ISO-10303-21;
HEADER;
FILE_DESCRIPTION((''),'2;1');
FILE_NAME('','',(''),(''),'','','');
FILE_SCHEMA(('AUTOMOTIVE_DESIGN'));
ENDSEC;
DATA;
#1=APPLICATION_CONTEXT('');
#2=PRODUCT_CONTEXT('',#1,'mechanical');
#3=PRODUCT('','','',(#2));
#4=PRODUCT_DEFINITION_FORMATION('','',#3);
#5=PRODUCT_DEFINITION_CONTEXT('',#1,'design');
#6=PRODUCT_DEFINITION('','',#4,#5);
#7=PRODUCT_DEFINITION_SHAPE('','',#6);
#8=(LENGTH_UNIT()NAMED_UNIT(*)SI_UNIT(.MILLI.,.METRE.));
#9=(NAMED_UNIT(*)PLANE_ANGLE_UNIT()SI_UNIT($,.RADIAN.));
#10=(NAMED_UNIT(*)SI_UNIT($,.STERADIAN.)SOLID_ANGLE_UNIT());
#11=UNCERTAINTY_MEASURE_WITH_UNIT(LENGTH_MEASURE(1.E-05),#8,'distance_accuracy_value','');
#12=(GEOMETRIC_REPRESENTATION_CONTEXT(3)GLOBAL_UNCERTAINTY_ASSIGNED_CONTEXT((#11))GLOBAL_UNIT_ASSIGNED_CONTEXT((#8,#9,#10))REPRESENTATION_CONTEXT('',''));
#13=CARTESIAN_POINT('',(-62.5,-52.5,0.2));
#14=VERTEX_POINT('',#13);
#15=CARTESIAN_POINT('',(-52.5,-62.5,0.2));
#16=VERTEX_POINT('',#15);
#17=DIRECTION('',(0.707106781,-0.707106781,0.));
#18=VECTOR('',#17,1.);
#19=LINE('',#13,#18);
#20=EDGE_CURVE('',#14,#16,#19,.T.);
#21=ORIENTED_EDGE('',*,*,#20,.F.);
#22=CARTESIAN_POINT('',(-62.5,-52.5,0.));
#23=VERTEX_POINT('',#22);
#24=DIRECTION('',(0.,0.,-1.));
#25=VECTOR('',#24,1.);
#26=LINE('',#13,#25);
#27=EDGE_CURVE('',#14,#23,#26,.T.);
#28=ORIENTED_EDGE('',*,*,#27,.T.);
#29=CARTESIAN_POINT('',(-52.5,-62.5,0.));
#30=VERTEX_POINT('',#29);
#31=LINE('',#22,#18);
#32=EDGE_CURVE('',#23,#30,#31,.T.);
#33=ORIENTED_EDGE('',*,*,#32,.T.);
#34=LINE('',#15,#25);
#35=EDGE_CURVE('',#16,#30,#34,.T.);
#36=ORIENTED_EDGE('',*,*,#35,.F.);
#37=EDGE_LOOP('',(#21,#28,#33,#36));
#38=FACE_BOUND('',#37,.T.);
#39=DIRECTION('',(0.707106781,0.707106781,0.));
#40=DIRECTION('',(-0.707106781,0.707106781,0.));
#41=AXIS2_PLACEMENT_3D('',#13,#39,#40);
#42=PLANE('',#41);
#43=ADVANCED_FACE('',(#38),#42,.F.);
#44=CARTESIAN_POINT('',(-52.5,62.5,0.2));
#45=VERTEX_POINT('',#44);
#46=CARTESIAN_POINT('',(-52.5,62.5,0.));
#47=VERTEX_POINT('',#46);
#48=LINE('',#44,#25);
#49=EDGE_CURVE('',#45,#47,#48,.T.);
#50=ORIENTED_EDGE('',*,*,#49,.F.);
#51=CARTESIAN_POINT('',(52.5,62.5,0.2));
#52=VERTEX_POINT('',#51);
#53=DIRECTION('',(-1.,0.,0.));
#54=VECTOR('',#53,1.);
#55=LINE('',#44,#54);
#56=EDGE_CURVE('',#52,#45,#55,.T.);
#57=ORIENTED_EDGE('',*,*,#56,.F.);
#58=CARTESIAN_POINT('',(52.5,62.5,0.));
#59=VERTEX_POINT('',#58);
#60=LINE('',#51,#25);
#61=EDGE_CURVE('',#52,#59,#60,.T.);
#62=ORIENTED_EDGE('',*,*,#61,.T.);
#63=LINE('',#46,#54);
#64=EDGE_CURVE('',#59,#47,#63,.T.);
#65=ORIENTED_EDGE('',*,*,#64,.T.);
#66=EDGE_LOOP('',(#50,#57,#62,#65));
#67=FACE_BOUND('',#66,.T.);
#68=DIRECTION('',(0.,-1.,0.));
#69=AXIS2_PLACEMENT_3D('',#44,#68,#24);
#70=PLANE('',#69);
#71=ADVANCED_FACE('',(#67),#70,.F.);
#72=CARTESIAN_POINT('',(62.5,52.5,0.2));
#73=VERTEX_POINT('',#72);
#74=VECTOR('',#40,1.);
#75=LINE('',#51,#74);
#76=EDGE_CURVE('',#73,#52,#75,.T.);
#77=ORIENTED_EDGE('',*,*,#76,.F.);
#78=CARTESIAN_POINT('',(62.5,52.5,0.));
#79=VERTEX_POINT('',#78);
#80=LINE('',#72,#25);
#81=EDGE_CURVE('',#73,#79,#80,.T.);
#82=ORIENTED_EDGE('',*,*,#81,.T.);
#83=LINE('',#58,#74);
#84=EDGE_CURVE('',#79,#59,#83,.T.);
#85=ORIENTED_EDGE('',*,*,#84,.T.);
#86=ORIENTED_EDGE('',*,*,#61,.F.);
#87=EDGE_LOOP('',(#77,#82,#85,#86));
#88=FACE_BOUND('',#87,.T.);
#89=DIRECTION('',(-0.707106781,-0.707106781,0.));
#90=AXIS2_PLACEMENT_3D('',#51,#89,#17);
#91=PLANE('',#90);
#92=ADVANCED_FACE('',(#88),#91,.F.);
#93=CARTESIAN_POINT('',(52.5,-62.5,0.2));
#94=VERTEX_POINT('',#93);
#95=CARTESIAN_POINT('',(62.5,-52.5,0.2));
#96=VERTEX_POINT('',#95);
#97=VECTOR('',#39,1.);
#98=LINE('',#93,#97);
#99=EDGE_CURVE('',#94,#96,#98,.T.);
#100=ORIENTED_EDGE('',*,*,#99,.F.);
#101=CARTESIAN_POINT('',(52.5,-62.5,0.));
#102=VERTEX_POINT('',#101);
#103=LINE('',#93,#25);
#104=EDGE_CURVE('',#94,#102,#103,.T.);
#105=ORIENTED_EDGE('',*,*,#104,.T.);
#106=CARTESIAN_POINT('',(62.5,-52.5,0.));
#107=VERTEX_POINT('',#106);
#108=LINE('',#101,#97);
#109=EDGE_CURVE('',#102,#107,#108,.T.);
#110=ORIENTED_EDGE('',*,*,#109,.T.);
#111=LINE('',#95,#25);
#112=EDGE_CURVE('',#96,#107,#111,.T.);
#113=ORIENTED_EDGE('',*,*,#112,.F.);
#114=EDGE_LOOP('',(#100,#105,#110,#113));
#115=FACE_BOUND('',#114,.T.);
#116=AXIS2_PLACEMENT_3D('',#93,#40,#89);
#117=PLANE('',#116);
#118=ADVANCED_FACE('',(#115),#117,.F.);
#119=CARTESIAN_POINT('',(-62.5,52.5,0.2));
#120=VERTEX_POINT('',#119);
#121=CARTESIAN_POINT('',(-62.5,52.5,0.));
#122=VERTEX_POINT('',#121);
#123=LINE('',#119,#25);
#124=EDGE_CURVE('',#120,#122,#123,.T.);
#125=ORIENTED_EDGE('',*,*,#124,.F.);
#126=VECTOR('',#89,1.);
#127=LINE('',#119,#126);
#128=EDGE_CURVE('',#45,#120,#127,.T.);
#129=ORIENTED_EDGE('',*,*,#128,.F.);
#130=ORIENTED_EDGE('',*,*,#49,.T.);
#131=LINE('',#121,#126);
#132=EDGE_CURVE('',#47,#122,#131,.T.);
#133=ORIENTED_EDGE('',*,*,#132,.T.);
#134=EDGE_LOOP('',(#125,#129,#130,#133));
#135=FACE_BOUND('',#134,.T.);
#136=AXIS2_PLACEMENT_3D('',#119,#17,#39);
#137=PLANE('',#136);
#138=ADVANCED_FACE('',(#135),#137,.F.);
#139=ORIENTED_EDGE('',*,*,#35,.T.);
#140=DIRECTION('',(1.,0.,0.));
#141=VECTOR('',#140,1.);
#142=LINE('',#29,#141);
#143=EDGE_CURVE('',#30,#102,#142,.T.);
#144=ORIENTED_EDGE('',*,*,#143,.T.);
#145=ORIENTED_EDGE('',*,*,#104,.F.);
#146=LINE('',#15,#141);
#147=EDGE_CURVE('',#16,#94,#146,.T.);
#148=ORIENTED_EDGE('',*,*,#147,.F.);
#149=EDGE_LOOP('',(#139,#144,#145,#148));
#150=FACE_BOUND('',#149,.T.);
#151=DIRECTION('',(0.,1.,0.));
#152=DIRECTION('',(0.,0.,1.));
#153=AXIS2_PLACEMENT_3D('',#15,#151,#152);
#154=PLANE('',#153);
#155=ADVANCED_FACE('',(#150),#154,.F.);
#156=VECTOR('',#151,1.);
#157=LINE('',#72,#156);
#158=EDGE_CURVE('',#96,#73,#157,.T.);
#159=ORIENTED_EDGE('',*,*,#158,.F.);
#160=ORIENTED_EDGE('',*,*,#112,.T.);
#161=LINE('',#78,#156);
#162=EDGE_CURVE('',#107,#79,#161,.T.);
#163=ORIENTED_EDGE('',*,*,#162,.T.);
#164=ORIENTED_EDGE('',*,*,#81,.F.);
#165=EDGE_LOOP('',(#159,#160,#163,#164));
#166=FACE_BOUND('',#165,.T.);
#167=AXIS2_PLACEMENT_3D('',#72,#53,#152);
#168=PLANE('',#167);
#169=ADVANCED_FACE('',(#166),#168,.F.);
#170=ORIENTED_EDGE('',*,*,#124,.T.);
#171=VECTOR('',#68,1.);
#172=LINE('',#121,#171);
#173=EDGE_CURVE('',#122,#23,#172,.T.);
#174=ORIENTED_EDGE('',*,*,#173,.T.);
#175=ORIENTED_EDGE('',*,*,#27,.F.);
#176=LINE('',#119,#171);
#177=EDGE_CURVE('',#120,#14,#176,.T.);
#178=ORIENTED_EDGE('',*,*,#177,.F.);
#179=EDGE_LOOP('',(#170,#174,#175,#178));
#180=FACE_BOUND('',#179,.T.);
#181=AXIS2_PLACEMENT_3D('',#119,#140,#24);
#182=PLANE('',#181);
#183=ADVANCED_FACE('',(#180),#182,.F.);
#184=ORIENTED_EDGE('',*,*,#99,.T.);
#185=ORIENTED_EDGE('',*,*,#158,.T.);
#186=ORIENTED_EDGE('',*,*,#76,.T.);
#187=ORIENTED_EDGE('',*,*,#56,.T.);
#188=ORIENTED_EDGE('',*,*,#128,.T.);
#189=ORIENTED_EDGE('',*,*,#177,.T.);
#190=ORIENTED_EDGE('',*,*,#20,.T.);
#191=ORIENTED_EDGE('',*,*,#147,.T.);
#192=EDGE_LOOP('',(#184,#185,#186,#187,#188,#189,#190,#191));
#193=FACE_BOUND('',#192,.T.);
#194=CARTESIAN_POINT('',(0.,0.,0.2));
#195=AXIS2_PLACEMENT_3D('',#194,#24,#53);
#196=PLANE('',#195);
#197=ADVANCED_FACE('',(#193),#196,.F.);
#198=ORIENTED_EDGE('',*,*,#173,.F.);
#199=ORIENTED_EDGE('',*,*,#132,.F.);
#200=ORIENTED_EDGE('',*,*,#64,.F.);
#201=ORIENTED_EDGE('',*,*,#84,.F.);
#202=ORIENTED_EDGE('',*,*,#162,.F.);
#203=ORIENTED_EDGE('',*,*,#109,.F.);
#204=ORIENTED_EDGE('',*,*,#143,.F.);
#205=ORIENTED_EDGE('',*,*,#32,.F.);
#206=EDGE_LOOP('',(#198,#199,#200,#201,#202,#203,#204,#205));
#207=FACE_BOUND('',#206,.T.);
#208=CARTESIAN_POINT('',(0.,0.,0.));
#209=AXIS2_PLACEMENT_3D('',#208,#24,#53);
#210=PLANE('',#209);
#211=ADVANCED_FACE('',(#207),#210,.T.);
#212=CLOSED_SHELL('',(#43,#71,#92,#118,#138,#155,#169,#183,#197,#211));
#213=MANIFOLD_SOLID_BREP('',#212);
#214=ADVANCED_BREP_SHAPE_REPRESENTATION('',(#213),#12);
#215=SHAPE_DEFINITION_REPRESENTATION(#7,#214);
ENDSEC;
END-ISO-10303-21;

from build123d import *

# Parameters (mm, degrees)
EXTRUDE_1_DEPTH = 0.2


with BuildPart() as part:
    # 草图1 → 凸台-拉伸1 (new body)
    with BuildSketch(Plane.XY):
        Polygon((52.5, 62.5), (62.5, 52.5), (62.5, -52.5), (52.5, -62.5), (-52.5, -62.5), (-62.5, -52.5), (-62.5, 52.5), (-52.5, 62.5), align=None)
    extrude(amount=EXTRUDE_1_DEPTH)


solid = part.part
